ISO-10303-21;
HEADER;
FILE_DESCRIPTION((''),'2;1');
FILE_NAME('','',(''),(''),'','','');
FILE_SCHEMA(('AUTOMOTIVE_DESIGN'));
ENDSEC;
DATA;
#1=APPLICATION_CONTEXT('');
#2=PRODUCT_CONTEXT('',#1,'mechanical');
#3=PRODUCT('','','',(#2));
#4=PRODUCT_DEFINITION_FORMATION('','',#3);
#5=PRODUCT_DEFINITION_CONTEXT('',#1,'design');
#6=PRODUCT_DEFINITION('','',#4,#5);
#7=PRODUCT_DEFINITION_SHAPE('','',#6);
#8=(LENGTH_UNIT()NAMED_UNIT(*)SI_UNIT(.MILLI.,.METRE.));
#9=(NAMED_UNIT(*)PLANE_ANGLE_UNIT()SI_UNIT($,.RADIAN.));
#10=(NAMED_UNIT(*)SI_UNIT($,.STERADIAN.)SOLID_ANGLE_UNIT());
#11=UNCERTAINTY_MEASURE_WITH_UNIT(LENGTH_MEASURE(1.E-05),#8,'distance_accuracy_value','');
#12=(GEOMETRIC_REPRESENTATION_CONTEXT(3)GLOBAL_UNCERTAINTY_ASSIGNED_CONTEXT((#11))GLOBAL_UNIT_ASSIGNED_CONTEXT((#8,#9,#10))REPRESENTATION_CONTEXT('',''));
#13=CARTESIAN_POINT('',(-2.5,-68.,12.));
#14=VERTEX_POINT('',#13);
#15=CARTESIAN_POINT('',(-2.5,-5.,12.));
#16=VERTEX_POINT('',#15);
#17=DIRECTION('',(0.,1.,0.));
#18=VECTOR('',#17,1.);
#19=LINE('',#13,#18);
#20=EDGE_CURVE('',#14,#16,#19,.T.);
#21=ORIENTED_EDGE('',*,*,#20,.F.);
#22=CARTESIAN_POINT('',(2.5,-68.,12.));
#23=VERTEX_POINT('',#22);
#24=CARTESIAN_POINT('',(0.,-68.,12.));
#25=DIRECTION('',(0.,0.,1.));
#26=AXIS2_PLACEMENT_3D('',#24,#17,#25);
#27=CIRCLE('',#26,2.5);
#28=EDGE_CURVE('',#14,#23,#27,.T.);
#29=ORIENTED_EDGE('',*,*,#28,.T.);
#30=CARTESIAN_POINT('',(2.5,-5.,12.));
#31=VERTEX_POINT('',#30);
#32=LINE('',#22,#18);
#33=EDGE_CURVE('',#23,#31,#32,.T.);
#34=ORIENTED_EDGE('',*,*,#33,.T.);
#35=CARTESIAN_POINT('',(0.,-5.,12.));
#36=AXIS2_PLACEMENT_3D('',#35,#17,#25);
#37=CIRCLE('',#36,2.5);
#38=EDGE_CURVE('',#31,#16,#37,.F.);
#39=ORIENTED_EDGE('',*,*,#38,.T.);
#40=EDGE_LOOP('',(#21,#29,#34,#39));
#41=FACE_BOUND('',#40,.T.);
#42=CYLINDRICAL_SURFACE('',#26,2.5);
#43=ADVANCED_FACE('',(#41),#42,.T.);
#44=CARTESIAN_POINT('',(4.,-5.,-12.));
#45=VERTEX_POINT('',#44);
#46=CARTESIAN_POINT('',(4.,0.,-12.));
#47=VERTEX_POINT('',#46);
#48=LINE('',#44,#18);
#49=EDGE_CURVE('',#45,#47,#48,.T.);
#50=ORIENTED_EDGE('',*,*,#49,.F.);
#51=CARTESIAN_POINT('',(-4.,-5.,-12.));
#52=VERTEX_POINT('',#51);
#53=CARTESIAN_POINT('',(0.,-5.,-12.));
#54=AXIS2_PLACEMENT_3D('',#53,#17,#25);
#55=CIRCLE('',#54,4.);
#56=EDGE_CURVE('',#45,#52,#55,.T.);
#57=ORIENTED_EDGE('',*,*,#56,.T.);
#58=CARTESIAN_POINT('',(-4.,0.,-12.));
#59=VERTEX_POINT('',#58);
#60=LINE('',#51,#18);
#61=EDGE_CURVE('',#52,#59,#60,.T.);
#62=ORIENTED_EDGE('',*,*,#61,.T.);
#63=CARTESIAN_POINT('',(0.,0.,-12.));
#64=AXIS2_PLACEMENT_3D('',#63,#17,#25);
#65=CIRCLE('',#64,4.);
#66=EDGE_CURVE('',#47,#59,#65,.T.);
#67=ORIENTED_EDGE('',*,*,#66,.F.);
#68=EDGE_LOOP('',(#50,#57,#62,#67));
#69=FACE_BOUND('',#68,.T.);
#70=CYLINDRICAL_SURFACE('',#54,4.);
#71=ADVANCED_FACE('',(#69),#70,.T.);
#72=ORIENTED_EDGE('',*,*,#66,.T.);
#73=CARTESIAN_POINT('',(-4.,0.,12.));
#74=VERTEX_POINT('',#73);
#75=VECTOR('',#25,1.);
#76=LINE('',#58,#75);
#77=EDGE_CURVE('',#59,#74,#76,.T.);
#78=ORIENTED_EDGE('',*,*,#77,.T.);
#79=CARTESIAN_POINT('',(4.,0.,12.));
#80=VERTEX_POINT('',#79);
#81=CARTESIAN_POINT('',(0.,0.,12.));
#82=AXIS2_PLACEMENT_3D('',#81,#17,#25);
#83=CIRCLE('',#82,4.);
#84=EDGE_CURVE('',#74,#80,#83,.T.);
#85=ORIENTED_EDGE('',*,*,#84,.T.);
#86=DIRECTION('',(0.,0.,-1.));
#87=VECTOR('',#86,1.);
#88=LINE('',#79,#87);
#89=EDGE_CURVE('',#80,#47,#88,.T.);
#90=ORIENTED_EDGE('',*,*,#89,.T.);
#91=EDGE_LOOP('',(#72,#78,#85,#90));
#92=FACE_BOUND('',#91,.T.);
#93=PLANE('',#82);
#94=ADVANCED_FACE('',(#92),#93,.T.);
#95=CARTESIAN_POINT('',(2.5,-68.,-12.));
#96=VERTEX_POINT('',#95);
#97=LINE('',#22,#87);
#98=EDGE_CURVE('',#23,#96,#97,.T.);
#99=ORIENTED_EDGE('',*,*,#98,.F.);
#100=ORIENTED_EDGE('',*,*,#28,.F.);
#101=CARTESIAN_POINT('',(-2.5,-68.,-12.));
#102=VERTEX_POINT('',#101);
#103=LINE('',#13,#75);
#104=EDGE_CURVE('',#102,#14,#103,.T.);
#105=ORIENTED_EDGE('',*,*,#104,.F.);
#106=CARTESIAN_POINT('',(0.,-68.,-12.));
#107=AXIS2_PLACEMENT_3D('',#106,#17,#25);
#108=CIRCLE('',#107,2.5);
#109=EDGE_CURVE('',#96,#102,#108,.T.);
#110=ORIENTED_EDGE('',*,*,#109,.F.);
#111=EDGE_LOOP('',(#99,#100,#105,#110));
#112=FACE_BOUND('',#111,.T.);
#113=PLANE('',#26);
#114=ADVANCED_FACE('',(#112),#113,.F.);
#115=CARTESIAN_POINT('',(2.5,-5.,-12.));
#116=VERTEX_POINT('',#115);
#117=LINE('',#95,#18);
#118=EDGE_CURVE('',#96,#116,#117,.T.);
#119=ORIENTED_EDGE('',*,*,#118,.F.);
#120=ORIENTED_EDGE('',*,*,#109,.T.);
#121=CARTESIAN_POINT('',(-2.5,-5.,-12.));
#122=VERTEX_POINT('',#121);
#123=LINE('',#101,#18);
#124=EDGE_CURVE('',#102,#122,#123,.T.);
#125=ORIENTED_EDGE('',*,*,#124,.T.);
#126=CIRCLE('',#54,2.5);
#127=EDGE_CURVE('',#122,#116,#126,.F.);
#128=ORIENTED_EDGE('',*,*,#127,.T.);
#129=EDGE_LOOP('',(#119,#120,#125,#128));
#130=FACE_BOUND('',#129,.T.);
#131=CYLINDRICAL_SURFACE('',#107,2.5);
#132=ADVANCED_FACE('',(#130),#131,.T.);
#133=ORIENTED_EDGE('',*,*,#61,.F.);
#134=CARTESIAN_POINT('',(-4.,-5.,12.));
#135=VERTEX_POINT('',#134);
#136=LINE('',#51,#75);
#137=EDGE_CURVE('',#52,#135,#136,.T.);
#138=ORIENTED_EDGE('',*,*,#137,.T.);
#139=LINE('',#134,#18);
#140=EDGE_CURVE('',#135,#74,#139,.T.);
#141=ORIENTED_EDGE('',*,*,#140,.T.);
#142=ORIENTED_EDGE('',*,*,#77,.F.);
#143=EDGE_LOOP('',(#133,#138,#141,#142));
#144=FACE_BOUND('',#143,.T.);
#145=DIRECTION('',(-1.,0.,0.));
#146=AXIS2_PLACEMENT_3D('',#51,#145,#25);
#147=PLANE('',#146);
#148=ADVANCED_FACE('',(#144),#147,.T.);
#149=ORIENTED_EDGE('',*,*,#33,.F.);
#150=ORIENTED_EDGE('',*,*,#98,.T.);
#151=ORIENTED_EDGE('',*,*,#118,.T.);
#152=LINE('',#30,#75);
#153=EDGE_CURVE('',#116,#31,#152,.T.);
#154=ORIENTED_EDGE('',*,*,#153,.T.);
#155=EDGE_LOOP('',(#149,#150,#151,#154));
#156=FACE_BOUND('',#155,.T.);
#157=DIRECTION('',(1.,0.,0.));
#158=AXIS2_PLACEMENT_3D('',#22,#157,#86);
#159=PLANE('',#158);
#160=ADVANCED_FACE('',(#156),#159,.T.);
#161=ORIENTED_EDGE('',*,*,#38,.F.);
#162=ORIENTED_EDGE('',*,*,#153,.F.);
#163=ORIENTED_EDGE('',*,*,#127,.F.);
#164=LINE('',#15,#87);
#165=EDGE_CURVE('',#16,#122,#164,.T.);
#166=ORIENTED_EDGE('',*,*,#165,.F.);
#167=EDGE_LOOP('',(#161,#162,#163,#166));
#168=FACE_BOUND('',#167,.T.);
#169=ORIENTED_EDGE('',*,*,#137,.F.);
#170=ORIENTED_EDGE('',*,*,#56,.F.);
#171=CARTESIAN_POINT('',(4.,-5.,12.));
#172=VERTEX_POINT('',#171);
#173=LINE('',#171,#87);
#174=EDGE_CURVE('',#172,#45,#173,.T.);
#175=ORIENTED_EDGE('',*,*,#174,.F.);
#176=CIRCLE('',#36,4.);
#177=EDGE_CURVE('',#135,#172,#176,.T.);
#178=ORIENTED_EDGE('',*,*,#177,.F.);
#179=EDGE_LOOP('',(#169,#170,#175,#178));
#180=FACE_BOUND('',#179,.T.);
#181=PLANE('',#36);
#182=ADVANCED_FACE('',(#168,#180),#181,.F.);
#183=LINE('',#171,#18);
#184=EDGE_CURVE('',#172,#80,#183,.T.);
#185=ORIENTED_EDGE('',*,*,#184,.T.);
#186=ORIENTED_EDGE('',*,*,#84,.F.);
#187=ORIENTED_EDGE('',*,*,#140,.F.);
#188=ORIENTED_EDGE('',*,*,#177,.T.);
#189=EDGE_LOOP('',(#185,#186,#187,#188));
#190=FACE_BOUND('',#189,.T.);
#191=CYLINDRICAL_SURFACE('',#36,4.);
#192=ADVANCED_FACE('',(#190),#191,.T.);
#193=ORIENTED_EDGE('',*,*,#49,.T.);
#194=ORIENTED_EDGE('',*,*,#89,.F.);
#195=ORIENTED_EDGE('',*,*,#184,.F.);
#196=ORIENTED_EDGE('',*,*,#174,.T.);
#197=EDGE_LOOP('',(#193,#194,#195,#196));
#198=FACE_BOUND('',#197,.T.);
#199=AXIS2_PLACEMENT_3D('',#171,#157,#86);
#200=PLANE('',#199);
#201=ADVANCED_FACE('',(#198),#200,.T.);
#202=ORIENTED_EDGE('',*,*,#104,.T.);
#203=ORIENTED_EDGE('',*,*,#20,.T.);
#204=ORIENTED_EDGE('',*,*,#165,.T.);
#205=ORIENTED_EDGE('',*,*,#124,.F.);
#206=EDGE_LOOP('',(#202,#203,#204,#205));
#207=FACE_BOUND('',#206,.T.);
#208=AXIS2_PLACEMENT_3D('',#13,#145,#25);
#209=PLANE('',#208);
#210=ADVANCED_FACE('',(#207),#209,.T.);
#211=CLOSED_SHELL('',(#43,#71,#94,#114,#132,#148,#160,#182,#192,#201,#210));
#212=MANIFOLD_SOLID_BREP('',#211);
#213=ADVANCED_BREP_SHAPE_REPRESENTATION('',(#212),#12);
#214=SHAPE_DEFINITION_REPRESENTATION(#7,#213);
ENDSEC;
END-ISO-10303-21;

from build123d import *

# Parameters (mm, degrees)
BOSS_EXTRUDE1_DEPTH = 68
BOSS_EXTRUDE2_DEPTH = 5


with BuildPart() as part:
    # Sketch1 → Boss-Extrude1 (new body)
    with BuildSketch(Plane(origin=(0, 0, 0), x_dir=(1, 0, 0), z_dir=(0, 1, 0))):
        with BuildLine():
            Line((-2.5, -12), (-2.5, 12))
            ThreePointArc((-2.5, 12), (0, 14.5), (2.5, 12))
            Line((2.5, 12), (2.5, -12))
            ThreePointArc((2.5, -12), (0, -14.5), (-2.5, -12))
        make_face()
    extrude(amount=-BOSS_EXTRUDE1_DEPTH)

    # Sketch2 → Boss-Extrude2 (add)
    with BuildSketch(Plane(origin=(0, 0, 0), x_dir=(1, 0, 0), z_dir=(0, 1, 0))):
        with BuildLine():
            Line((4, -12), (4, 12))
            ThreePointArc((4, 12), (0, 16), (-4, 12))
            Line((-4, 12), (-4, -12))
            ThreePointArc((-4, -12), (0, -16), (4, -12))
        make_face()
    extrude(amount=-BOSS_EXTRUDE2_DEPTH)


solid = part.part
